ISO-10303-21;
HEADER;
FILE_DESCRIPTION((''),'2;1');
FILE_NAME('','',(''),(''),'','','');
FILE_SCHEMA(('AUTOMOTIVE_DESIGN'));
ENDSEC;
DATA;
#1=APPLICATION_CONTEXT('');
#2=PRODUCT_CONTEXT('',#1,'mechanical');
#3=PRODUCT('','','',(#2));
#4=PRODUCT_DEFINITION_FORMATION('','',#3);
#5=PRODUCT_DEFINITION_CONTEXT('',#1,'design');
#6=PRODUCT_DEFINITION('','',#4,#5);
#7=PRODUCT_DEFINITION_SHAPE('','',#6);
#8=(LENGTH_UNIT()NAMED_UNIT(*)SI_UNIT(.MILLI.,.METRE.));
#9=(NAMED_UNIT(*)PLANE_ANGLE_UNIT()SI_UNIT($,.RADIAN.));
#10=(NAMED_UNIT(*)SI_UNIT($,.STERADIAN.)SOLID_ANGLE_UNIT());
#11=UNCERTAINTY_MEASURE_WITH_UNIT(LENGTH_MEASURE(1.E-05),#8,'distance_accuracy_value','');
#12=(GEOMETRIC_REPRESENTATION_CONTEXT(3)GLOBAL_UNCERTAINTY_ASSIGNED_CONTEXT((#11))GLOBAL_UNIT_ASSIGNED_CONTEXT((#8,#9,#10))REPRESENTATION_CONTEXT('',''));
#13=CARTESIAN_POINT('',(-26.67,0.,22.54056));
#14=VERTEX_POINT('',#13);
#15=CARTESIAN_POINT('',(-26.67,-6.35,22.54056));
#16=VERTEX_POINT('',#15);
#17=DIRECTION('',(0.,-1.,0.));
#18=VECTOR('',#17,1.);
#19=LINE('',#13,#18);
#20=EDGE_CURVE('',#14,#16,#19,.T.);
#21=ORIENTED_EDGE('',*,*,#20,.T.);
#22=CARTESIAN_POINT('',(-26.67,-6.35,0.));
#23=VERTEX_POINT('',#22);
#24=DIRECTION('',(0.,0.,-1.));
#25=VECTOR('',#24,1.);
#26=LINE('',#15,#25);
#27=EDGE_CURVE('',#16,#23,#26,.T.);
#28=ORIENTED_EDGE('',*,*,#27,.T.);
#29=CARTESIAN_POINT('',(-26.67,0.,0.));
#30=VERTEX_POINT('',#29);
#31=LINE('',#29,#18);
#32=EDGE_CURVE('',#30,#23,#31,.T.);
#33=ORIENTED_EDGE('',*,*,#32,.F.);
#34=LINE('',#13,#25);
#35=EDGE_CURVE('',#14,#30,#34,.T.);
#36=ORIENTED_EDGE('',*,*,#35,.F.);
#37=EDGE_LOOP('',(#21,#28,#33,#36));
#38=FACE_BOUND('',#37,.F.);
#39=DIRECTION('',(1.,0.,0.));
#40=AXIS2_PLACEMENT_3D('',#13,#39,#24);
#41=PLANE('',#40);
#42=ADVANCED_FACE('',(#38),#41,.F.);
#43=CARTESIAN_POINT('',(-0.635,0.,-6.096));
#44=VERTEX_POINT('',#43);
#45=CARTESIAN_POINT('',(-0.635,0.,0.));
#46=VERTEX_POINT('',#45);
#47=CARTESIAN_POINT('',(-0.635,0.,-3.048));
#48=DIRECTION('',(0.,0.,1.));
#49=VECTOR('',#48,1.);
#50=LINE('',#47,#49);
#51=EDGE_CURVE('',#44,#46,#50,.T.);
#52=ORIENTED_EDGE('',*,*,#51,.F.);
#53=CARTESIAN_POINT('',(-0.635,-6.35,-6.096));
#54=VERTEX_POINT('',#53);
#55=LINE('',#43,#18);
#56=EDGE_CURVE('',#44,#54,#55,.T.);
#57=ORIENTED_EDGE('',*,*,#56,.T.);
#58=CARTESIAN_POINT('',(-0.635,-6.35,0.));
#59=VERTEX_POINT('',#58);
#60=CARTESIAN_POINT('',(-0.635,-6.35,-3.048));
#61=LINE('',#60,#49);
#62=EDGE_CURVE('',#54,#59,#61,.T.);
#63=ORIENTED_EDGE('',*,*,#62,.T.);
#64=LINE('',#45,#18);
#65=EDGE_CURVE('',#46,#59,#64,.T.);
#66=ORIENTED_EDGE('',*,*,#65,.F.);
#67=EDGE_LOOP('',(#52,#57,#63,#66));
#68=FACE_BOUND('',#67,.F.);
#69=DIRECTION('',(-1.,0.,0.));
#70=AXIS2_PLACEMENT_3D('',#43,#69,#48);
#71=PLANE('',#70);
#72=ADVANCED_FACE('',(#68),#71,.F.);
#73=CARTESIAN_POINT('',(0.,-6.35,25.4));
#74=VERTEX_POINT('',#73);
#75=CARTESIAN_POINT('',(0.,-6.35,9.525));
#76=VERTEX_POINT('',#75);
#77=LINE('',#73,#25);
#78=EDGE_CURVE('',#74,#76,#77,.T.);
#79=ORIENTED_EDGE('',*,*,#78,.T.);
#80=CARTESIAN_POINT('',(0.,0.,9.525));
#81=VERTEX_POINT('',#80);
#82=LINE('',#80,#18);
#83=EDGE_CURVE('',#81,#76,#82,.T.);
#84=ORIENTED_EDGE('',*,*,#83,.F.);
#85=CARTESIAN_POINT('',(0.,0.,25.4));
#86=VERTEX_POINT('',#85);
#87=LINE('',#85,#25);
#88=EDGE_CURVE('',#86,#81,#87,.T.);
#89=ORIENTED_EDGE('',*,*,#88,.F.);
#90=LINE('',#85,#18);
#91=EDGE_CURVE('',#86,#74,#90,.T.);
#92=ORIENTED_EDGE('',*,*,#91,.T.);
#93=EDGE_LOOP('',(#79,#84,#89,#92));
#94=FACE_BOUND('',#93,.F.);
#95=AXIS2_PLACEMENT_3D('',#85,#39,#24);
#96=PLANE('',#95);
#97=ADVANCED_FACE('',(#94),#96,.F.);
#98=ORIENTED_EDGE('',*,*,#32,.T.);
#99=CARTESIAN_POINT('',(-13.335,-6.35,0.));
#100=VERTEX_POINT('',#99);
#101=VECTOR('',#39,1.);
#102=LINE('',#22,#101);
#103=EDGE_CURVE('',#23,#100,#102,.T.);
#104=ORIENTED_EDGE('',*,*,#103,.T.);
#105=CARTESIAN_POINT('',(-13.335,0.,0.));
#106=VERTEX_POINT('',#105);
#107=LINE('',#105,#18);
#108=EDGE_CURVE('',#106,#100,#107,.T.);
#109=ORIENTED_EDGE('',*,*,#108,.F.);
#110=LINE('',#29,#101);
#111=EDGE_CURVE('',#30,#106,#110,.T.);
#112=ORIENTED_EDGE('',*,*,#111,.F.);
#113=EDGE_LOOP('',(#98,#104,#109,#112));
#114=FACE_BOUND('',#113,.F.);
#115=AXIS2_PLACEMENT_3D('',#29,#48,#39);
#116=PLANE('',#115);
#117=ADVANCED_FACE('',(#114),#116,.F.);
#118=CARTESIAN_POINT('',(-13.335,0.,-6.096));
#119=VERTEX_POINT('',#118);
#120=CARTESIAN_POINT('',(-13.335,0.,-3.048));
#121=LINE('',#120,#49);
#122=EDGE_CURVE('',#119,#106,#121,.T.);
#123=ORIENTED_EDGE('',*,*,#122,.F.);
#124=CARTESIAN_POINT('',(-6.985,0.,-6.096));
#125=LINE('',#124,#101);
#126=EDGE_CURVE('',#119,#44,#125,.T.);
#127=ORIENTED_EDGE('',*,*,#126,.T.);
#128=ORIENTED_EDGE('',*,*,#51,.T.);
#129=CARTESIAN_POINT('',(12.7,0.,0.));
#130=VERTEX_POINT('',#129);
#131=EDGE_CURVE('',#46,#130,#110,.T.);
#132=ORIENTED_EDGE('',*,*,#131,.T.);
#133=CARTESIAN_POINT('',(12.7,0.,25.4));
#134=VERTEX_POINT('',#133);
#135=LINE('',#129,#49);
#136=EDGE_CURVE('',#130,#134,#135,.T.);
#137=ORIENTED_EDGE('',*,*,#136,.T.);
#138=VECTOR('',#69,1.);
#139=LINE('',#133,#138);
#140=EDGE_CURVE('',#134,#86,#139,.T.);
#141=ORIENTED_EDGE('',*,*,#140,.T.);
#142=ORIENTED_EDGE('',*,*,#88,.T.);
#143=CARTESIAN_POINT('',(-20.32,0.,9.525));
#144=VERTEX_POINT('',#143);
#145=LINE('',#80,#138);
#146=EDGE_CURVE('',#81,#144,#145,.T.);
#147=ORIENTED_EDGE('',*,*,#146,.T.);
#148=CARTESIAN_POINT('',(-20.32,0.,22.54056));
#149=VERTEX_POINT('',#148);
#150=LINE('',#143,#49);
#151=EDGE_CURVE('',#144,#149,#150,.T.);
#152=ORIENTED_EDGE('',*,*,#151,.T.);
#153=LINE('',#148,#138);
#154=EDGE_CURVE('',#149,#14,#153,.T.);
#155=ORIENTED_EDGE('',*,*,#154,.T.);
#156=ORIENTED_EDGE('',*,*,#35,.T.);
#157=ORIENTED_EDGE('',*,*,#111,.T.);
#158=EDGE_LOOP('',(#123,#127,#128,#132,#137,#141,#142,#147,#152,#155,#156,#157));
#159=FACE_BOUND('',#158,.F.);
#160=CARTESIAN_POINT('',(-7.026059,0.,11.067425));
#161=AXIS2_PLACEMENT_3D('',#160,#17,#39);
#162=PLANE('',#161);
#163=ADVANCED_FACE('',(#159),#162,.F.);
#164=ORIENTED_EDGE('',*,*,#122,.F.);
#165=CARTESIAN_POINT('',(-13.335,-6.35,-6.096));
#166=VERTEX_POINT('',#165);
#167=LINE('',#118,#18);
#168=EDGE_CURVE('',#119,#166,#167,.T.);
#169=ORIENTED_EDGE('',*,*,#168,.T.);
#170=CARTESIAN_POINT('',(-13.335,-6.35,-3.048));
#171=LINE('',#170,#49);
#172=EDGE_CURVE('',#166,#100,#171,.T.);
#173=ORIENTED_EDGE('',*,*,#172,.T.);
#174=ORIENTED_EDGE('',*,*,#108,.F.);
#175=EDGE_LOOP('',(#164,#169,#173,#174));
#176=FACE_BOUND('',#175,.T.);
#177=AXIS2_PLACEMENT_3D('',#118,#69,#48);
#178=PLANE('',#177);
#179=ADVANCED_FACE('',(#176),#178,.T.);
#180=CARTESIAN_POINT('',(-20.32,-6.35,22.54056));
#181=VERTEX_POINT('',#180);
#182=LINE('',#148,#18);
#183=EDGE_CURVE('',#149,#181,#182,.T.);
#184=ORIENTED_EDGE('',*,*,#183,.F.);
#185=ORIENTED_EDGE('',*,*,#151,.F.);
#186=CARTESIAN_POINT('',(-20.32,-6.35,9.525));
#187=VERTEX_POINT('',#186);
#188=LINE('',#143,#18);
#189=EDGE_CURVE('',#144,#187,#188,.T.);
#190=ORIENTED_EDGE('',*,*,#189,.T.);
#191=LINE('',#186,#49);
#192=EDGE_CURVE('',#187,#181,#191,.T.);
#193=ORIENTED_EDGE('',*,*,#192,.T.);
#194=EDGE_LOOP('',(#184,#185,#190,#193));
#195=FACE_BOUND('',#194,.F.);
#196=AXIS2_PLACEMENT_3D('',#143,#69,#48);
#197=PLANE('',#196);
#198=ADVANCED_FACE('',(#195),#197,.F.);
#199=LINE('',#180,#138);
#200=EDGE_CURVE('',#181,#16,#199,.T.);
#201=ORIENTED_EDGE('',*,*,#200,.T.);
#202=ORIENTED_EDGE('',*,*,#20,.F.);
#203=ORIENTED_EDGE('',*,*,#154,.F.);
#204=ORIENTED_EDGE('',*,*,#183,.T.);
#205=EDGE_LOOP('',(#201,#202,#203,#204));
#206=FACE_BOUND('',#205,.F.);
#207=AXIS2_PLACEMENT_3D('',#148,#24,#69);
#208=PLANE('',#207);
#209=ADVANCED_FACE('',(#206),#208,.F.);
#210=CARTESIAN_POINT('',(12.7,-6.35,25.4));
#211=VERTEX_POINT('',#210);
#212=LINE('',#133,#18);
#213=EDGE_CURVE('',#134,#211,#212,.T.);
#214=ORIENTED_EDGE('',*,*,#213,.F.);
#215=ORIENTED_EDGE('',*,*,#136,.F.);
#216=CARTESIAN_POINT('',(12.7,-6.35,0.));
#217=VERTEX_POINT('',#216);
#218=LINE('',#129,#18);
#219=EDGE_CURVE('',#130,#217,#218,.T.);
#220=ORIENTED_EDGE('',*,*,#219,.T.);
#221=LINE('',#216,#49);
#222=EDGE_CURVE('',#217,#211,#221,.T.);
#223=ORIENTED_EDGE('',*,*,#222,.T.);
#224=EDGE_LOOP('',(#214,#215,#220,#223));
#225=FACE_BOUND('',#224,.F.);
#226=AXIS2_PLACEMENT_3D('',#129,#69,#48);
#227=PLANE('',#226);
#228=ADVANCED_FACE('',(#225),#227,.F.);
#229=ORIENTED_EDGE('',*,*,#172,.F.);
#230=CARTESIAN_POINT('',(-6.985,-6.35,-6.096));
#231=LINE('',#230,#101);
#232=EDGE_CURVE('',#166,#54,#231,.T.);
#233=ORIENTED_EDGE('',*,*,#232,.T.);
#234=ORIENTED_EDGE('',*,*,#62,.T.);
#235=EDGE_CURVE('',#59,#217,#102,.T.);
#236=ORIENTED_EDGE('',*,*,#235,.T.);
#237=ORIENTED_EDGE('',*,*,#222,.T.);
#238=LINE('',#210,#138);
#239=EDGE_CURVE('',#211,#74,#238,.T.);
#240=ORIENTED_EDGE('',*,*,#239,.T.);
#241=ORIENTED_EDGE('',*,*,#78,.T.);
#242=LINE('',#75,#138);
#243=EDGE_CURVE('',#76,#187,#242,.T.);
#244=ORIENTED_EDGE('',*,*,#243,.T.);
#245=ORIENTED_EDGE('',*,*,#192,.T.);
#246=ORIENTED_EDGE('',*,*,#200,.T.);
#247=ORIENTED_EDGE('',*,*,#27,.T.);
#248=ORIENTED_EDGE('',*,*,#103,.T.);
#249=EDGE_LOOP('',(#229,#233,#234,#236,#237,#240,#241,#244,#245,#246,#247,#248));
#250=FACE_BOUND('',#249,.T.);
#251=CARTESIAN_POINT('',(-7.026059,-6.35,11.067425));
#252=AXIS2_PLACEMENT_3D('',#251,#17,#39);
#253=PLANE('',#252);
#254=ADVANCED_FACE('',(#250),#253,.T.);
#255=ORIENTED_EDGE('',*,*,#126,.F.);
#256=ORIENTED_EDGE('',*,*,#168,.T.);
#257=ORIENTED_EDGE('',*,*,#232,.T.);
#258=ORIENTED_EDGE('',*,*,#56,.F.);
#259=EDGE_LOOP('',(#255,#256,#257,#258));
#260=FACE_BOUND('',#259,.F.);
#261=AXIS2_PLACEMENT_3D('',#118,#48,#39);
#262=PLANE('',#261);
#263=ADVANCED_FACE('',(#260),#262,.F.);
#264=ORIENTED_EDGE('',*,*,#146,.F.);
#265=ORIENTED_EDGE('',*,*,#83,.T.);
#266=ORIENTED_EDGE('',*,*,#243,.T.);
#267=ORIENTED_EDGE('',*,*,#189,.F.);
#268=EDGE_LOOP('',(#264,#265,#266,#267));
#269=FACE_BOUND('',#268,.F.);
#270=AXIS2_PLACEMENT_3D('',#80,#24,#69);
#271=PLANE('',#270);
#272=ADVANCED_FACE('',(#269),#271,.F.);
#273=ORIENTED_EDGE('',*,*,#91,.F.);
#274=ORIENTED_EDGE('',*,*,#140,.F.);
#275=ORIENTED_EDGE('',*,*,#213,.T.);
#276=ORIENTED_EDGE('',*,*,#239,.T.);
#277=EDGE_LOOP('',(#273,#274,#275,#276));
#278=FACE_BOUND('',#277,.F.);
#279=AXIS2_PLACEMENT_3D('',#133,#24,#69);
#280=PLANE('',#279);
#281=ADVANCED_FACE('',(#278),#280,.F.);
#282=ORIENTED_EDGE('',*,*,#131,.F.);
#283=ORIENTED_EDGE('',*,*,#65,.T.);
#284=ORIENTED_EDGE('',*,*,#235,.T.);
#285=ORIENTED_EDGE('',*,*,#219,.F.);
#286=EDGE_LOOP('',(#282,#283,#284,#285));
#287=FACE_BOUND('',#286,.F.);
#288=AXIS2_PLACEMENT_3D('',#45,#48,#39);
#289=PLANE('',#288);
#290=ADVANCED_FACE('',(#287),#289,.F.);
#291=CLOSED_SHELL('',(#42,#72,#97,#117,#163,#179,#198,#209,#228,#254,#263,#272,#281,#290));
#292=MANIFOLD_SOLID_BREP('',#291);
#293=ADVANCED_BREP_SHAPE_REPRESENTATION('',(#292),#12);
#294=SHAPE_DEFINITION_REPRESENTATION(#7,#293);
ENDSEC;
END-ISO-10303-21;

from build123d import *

# Parameters (mm, degrees)
F0_W     = 12.7
F0_H     = 6.096
F1_DEPTH = 6.35


with BuildPart() as f1:
    # F0 (on Front) → F1 (new body)
    with BuildSketch(Plane.XZ):
        Polygon((12.7, 25.4), (0, 25.4), (0, 9.525), (-20.32, 9.525), (-20.32, 22.54056), (-26.67, 22.54056), (-26.67, 0), (-13.335, 0), (-0.635, 0), (0, 0), (12.7, 0), align=None)
        with Locations((-6.985, -3.048)):
            Rectangle(F0_W, F0_H)
    extrude(amount=F1_DEPTH)


solid = f1.part
